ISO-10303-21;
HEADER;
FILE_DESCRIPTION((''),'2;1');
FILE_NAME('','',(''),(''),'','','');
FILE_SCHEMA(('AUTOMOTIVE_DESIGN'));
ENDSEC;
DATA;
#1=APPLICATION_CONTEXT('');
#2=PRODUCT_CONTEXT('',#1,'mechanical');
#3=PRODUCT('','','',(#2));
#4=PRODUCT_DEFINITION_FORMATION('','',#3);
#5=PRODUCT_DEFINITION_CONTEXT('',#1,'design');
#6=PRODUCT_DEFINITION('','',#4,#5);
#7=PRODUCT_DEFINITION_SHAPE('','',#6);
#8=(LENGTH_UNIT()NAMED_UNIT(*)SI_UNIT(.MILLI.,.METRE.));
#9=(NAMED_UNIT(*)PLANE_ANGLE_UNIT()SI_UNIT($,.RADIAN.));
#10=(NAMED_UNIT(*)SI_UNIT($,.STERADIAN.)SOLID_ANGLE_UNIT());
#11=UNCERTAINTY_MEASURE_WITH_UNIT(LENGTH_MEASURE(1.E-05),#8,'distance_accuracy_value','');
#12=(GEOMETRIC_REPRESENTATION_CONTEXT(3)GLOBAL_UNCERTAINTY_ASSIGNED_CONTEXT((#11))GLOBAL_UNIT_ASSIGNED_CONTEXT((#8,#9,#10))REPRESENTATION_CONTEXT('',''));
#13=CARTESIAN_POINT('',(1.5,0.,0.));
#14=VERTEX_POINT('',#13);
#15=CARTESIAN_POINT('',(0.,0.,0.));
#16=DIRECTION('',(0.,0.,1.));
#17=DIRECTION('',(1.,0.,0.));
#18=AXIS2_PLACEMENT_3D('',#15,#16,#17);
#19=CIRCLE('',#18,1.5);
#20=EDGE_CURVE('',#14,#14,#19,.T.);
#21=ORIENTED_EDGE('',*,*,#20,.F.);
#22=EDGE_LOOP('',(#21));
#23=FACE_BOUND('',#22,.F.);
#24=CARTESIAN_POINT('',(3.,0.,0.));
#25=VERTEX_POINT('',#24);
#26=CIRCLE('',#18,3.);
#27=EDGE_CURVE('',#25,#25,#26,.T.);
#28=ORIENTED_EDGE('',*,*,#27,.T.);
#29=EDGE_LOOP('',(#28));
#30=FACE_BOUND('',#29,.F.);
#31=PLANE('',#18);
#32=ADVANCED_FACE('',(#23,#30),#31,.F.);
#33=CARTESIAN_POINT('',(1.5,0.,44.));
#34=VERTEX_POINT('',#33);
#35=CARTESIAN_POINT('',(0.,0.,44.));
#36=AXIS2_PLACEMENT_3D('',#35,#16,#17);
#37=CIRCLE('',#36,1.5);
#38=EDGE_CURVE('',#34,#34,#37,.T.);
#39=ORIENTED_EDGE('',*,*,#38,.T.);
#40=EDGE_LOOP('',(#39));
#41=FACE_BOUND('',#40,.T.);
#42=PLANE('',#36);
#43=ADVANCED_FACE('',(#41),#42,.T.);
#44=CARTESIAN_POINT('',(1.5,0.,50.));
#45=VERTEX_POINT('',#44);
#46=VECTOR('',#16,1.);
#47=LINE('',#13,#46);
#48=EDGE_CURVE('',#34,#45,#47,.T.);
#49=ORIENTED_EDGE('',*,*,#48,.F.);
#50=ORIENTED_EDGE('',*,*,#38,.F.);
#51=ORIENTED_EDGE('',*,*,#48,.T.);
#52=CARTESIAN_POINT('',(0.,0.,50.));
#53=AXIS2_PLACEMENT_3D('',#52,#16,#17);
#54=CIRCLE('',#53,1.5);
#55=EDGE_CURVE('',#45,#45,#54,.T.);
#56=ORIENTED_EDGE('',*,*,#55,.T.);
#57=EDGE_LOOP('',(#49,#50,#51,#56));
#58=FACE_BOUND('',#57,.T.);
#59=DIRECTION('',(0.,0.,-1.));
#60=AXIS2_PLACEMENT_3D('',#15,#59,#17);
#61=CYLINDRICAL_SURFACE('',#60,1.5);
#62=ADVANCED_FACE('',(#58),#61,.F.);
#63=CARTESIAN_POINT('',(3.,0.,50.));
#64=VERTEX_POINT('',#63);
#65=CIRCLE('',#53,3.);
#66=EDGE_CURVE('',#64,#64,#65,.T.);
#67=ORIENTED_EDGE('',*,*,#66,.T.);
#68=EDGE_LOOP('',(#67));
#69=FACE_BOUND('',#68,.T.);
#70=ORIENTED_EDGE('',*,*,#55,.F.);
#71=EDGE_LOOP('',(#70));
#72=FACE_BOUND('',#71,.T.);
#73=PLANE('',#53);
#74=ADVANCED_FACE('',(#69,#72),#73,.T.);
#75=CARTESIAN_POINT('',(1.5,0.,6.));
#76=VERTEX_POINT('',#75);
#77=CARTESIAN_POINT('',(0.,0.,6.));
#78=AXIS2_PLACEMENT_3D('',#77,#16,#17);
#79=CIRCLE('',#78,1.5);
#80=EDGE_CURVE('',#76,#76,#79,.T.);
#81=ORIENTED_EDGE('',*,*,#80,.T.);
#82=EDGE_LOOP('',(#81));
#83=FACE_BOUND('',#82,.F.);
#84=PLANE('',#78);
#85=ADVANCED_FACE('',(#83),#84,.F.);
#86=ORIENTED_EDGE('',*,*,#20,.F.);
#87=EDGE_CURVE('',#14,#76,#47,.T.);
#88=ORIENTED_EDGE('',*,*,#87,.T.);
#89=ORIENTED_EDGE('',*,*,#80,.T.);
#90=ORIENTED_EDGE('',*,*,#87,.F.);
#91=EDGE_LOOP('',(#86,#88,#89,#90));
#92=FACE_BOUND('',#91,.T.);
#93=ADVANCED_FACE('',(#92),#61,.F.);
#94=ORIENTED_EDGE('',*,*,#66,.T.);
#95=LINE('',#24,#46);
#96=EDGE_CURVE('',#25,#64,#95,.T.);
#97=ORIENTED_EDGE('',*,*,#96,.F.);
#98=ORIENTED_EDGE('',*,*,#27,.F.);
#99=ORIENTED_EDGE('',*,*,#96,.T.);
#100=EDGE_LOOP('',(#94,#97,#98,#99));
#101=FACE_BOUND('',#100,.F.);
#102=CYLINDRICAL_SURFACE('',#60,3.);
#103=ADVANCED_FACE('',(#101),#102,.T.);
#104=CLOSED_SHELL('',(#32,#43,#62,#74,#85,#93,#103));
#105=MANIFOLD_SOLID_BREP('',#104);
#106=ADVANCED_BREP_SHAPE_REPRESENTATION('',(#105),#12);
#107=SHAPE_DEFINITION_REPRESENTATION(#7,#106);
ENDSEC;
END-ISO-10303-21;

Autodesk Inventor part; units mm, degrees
ref_plane "YZ Plane" through (0, 0, 0) normal (1, 0, 0) x (0, 1, 0)
ref_plane "XZ Plane" through (0, 0, 0) normal (0, 1, 0) x (-1, 0, 0)
sketch "スケッチ1" plane through (0, 0, 0) normal (0, 0, 1) x (1, 0, 0)
  circle A0 centre (0, 0) radius 1.5
  circle A1 centre (0, 0) radius 3
  dimension "d0" = 3
  dimension "d1" = 6
extrude "押し出し1" add sketch "スケッチ1" along normal blind 50
ref_plane "作業平面1" through (0, 0, 44) normal (0, 0, 1) x (1, 0, 0)
sketch "スケッチ3" plane through (0, 0, 44) normal (0, 0, 1) x (1, 0, 0)
  circle A0 centre (0, 0) radius 1.5 projected
extrude "押し出し3" add sketch "スケッチ3" against normal blind 38
properties part number "スペーサーm3,50" material "アルミニウム 7075"
